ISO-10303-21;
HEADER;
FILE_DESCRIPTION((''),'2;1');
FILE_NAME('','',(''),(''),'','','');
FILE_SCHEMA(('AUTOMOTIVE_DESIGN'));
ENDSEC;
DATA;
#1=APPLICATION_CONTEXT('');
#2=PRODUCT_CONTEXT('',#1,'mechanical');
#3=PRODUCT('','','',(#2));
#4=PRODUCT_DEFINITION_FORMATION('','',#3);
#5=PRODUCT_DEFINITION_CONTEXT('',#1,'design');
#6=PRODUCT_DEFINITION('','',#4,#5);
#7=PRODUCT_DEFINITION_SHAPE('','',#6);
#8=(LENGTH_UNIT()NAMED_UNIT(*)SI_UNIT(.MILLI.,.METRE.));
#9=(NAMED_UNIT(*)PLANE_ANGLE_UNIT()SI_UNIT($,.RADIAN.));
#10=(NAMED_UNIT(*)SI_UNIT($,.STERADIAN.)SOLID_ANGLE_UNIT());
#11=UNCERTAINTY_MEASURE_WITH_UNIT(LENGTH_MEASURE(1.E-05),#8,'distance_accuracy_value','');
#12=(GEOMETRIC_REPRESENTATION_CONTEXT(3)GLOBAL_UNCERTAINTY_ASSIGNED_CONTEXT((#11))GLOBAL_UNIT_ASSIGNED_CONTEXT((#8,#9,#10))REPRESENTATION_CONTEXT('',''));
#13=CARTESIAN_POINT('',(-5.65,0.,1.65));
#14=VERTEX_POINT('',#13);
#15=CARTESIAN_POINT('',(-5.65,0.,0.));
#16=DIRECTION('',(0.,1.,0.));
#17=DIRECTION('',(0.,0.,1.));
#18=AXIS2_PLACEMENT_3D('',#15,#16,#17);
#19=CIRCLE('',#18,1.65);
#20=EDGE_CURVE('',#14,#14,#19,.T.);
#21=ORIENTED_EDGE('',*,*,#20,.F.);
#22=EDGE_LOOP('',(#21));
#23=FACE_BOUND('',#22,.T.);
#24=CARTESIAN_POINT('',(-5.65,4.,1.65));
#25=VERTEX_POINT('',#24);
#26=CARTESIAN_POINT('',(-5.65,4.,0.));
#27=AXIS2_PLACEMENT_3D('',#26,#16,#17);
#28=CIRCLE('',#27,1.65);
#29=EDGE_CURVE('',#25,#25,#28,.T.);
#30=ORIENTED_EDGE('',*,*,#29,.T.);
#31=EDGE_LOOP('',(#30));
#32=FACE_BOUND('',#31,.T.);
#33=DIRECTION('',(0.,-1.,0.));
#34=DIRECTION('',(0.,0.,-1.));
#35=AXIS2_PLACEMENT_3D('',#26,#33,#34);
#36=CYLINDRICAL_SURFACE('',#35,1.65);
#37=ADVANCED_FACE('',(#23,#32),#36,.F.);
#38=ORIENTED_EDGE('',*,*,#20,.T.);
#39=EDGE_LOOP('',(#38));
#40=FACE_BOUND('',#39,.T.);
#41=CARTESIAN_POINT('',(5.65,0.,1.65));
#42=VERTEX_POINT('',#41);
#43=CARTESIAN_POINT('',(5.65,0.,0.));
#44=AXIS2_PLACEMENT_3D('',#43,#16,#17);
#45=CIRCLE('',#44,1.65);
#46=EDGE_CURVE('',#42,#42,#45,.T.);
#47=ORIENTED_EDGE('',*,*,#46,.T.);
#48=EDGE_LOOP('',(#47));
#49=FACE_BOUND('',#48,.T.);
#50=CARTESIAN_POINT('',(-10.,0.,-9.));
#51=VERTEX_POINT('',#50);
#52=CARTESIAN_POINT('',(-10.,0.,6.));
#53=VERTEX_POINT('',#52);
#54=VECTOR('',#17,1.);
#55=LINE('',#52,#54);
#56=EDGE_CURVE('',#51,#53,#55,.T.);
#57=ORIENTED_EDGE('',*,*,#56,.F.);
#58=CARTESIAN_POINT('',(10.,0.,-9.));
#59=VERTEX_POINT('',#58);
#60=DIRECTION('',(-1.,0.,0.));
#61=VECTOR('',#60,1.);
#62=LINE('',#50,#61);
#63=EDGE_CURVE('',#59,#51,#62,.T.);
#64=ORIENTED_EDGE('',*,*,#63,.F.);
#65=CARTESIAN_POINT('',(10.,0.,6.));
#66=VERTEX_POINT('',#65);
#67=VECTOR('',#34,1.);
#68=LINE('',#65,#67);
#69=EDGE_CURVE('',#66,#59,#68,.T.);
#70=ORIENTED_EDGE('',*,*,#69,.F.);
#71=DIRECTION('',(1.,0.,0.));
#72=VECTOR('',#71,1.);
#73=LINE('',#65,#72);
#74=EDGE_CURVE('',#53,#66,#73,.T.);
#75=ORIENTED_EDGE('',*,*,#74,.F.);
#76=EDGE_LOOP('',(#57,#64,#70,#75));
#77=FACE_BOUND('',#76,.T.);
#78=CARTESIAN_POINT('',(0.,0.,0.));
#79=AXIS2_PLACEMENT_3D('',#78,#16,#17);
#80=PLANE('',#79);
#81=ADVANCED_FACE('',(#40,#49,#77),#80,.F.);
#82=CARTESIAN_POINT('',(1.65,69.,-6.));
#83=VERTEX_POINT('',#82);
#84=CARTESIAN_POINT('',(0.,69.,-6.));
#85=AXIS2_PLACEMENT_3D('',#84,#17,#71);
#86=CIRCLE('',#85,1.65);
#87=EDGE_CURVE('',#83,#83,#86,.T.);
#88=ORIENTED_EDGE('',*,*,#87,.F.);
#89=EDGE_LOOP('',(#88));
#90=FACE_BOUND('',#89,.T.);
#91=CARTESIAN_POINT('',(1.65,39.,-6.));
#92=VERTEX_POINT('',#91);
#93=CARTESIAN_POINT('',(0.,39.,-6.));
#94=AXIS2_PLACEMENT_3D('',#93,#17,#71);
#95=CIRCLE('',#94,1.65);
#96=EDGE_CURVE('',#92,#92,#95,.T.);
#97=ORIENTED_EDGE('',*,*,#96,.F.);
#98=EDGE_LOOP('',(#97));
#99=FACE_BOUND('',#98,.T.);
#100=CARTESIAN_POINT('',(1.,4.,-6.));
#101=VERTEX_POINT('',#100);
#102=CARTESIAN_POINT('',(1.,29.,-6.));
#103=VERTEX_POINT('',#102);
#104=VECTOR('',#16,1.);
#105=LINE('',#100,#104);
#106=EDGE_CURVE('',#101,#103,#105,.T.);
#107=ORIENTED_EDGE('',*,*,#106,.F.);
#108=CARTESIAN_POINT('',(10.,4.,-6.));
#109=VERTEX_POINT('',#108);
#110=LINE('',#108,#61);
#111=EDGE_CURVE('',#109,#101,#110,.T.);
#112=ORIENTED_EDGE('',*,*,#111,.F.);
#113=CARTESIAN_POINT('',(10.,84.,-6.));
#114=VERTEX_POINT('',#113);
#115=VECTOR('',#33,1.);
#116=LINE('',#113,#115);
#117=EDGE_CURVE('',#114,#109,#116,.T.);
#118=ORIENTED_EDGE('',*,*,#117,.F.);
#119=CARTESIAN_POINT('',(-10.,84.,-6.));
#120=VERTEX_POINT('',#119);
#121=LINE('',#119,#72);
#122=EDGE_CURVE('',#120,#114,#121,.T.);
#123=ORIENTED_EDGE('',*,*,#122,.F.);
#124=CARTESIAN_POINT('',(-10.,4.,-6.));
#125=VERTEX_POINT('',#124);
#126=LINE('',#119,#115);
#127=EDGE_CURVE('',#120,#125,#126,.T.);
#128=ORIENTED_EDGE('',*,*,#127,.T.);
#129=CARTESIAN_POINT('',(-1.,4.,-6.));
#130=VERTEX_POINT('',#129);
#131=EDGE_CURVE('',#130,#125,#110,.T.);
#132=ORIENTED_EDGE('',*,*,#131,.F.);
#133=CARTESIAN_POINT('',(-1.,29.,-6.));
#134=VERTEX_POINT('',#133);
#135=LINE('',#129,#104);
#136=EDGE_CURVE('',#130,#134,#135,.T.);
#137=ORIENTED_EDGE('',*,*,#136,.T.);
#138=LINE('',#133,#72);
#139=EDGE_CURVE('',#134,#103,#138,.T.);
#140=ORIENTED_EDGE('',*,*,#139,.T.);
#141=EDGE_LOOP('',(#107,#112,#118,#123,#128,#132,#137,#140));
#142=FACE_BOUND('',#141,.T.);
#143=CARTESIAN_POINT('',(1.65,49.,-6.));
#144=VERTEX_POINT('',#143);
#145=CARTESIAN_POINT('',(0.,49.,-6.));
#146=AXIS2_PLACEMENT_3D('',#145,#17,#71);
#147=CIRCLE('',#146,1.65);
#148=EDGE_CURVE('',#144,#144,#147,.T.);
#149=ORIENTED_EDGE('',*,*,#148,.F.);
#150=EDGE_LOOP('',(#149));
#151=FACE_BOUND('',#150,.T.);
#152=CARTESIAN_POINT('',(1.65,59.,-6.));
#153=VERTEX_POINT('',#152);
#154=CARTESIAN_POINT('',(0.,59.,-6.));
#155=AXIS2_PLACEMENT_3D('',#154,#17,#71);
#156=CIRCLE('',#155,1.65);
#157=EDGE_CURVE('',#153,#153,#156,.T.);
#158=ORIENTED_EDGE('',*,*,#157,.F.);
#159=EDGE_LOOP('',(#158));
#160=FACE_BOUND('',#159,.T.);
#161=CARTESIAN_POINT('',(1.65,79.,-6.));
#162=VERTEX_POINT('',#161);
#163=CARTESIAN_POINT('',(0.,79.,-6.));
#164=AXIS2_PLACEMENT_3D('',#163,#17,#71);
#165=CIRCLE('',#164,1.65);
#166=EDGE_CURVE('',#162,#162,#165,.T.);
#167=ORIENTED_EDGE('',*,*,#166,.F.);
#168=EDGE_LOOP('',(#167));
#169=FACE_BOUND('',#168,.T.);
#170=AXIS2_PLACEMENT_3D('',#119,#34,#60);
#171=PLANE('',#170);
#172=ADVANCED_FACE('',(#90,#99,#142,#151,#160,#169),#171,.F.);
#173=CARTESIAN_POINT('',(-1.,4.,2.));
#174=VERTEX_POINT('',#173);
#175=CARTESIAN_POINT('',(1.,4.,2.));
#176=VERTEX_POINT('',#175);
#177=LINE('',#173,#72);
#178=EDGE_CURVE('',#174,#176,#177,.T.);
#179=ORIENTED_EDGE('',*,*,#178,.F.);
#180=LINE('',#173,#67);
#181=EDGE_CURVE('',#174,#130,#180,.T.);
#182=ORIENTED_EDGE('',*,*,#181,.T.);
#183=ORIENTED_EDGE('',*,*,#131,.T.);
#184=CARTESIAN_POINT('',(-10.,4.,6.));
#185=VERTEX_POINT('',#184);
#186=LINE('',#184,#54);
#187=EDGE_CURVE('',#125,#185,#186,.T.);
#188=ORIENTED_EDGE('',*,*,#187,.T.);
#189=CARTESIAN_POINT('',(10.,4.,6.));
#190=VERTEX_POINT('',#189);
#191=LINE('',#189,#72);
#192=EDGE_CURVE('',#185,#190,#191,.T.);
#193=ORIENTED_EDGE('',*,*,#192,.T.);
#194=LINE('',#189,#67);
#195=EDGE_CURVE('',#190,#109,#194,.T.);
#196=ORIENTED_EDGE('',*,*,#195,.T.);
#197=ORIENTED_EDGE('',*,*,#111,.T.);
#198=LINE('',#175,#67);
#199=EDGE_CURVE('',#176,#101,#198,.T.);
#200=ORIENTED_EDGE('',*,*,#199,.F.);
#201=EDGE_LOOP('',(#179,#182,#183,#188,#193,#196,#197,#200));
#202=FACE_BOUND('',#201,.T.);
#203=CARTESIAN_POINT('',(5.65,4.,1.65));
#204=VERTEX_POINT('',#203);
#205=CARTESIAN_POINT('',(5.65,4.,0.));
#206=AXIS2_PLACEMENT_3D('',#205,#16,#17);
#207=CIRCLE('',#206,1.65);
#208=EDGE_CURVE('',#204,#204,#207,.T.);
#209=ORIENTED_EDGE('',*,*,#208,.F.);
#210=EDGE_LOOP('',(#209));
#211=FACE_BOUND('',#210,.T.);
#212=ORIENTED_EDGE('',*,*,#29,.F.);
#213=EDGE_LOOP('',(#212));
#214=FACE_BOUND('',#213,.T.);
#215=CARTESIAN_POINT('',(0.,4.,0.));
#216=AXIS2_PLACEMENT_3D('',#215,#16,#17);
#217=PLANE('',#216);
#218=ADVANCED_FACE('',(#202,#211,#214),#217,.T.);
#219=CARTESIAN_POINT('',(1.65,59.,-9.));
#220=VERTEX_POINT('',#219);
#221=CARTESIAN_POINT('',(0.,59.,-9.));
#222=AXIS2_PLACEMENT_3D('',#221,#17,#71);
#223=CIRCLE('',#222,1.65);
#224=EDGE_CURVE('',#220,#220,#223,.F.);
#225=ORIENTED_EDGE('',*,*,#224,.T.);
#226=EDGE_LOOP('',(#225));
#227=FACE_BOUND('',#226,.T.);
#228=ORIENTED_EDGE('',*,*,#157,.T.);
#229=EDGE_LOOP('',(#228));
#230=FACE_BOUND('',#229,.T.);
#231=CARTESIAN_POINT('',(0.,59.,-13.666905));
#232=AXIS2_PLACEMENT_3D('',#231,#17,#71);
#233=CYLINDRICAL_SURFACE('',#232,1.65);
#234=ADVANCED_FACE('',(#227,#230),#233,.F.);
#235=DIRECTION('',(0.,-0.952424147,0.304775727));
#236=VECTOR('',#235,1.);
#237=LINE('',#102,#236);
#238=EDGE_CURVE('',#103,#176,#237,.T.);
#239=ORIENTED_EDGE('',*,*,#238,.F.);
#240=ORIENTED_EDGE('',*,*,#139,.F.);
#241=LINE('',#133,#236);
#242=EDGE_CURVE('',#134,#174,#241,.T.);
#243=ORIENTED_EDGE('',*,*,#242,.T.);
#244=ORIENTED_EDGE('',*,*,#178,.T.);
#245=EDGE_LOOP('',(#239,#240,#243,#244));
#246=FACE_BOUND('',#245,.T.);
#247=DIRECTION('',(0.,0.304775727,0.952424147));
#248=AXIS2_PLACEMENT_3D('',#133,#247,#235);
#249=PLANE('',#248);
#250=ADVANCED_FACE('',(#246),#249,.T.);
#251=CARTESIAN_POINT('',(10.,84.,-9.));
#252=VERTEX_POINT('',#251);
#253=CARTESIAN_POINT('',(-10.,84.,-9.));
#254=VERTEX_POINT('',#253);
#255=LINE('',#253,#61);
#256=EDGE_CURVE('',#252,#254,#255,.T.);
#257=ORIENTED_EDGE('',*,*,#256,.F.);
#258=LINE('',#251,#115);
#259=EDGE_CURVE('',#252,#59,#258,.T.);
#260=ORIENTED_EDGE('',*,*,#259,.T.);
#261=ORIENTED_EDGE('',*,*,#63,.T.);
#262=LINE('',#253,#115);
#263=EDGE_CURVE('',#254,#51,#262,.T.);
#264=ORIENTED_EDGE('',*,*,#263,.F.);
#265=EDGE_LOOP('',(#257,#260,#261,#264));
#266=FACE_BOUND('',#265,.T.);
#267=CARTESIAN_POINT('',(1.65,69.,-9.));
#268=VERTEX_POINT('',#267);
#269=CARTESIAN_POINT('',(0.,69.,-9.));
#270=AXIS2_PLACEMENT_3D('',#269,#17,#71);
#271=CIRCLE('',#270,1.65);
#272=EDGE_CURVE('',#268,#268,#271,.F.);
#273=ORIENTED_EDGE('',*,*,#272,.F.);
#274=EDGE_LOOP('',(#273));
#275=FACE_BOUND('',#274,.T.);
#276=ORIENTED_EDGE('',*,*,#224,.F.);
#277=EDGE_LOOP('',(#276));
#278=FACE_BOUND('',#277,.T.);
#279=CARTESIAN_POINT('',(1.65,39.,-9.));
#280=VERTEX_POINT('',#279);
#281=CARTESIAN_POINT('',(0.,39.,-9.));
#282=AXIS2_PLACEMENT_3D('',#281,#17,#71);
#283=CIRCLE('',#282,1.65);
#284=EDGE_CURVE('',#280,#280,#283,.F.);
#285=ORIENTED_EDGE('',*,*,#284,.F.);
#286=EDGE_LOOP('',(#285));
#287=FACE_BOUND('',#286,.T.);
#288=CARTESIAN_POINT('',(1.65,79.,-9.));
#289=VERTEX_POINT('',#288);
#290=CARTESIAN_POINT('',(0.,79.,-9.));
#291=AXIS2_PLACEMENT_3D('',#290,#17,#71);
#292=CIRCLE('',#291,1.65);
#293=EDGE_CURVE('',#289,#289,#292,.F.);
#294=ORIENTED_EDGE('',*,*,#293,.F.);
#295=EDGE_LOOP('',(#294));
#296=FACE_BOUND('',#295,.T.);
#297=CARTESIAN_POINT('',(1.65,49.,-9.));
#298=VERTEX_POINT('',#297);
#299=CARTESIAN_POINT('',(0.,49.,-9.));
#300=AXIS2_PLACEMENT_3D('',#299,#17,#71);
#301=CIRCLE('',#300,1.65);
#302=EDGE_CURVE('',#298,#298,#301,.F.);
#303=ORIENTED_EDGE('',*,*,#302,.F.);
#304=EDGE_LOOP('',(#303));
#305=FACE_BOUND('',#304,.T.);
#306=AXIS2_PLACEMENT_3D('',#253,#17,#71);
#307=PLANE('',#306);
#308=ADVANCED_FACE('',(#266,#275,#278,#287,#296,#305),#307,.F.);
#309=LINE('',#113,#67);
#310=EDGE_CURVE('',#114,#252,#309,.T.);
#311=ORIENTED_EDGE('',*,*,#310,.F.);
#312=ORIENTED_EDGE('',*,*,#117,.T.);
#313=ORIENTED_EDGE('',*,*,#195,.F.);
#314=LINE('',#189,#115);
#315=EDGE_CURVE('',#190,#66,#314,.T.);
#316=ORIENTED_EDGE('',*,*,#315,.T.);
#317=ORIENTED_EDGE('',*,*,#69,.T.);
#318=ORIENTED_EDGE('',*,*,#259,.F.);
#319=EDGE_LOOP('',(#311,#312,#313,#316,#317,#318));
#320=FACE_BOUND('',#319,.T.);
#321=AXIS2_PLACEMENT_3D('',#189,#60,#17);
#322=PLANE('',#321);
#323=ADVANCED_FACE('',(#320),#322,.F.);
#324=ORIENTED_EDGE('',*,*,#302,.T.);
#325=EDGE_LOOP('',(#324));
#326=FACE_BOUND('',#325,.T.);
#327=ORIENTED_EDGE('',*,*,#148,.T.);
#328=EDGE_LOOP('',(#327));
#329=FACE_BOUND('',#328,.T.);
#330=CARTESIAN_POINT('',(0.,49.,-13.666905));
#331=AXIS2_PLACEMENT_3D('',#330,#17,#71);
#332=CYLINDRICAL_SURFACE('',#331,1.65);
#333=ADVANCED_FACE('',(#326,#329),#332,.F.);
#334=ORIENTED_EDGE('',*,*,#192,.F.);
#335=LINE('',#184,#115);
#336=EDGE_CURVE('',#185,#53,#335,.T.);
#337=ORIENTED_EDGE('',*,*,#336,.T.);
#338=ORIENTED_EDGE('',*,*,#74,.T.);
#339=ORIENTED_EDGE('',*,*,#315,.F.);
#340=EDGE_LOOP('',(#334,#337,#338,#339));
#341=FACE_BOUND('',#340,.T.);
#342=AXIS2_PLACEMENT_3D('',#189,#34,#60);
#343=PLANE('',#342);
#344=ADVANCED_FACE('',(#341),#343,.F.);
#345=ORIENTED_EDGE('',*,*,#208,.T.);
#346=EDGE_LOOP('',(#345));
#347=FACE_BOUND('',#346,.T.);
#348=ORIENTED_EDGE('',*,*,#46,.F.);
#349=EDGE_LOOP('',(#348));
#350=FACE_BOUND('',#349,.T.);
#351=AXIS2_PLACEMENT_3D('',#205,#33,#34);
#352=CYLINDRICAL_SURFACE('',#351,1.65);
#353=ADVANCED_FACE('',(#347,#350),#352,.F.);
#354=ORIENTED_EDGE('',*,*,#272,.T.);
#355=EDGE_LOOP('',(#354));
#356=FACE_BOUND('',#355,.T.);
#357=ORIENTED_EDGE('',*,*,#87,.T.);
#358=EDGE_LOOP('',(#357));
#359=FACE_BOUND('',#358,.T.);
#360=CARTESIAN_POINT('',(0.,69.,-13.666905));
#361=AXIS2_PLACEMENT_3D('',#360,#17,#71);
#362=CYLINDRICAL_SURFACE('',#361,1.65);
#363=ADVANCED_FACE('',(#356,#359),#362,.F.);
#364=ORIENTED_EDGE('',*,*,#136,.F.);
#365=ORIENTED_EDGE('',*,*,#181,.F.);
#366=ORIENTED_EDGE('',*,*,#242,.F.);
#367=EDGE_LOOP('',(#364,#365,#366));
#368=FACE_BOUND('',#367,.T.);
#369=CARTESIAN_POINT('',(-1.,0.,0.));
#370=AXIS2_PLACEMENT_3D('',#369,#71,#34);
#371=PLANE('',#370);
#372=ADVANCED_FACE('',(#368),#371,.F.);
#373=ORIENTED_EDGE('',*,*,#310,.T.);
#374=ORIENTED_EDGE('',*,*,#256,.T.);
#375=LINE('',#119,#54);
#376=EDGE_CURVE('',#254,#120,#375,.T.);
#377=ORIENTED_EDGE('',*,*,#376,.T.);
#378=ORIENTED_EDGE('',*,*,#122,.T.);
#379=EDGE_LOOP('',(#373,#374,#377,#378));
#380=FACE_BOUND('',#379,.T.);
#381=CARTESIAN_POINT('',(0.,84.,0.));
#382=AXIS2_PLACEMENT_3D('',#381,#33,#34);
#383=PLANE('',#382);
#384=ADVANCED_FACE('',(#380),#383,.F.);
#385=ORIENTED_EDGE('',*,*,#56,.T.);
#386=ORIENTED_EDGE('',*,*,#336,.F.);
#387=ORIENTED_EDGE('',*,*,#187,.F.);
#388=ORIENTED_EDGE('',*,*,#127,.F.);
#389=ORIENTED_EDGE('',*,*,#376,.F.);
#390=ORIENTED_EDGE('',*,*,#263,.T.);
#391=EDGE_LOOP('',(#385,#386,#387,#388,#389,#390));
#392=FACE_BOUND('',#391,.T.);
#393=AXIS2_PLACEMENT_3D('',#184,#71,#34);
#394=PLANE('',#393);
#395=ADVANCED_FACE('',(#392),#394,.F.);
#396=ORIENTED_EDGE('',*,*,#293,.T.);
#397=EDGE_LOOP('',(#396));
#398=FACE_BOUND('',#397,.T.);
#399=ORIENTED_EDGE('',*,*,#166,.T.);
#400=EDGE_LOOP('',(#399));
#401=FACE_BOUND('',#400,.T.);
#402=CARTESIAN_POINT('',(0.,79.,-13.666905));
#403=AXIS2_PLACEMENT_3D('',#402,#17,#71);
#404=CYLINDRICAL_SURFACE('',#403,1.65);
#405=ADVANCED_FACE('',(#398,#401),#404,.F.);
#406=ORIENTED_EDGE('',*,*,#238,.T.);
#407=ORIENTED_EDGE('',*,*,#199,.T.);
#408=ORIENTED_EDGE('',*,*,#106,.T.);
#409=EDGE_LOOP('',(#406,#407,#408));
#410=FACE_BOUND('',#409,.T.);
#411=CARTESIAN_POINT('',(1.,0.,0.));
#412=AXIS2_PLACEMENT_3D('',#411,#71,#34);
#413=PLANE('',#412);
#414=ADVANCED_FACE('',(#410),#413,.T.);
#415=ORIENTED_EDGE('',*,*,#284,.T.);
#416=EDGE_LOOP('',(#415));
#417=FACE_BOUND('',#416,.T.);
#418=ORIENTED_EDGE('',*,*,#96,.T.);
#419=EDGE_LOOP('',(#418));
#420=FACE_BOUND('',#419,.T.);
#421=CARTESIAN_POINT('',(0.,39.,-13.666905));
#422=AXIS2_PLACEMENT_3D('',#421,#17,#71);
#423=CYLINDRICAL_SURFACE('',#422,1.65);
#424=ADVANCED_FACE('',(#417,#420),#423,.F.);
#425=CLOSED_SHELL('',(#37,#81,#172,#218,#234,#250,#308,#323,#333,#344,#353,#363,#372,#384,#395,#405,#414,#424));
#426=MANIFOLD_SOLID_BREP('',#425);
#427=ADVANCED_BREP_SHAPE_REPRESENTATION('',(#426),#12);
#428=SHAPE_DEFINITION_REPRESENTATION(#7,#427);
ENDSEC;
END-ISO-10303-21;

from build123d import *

# Parameters (mm, degrees)
SKETCH_1_W           = 20
SKETCH_1_H           = 12
SKETCH_1_R           = 1.65
EXTRUDE_1_DEPTH      = 4
SKETCH_2_W           = 20
SKETCH_2_H           = 3
EXTRUDE_2_DEPTH      = 84
EXTRUDE_3_DEPTH      = 1
EXTRUDE_3_DEPTH_BACK = 1
SKETCH_4_R           = 1.65
CUT_EXTRUDE_1_DEPTH  = 3


with BuildPart() as part:
    # 草图1 → 凸台-拉伸1 (new body)
    with BuildSketch(Plane(origin=(0, 0, 0), x_dir=(1, 0, 0), z_dir=(0, 1, 0))):
        Rectangle(SKETCH_1_W, SKETCH_1_H)
        with Locations(Location((-5.65, 0, 0), (0, 0, 270))):
            Circle(SKETCH_1_R, mode=Mode.SUBTRACT)
        with Locations(Location((5.65, 0, 0), (0, 0, 270))):
            Circle(SKETCH_1_R, mode=Mode.SUBTRACT)
    extrude(amount=EXTRUDE_1_DEPTH)

    # 草图2 → 凸台-拉伸2 (add)
    with BuildSketch(Plane(origin=(0, 0, 0), x_dir=(1, 0, 0), z_dir=(0, 1, 0))):
        with Locations((0, 7.5)):
            Rectangle(SKETCH_2_W, SKETCH_2_H)
    extrude(amount=EXTRUDE_2_DEPTH)

    # 草图3 → 凸台-拉伸3 (add, two sides: drawn at the far end of the back side and taken through both)
    with BuildSketch(Plane(origin=(0, 0, 0), x_dir=(0, 0, -1), z_dir=(1, 0, 0)).offset(-EXTRUDE_3_DEPTH_BACK)):
        Polygon((-2, 4), (6, 4), (6, 29), align=None)
    extrude(amount=EXTRUDE_3_DEPTH + EXTRUDE_3_DEPTH_BACK)

    # 草图4 → 切除-拉伸1 (cut)
    with BuildSketch(Plane.XY.offset(-6)):
        with Locations((0, 39)):
            Circle(SKETCH_4_R)
        with Locations((0, 49)):
            Circle(SKETCH_4_R)
        with Locations((0, 59)):
            Circle(SKETCH_4_R)
        with Locations((0, 69)):
            Circle(SKETCH_4_R)
        with Locations((0, 79)):
            Circle(SKETCH_4_R)
    extrude(amount=-CUT_EXTRUDE_1_DEPTH, mode=Mode.SUBTRACT)


solid = part.part
